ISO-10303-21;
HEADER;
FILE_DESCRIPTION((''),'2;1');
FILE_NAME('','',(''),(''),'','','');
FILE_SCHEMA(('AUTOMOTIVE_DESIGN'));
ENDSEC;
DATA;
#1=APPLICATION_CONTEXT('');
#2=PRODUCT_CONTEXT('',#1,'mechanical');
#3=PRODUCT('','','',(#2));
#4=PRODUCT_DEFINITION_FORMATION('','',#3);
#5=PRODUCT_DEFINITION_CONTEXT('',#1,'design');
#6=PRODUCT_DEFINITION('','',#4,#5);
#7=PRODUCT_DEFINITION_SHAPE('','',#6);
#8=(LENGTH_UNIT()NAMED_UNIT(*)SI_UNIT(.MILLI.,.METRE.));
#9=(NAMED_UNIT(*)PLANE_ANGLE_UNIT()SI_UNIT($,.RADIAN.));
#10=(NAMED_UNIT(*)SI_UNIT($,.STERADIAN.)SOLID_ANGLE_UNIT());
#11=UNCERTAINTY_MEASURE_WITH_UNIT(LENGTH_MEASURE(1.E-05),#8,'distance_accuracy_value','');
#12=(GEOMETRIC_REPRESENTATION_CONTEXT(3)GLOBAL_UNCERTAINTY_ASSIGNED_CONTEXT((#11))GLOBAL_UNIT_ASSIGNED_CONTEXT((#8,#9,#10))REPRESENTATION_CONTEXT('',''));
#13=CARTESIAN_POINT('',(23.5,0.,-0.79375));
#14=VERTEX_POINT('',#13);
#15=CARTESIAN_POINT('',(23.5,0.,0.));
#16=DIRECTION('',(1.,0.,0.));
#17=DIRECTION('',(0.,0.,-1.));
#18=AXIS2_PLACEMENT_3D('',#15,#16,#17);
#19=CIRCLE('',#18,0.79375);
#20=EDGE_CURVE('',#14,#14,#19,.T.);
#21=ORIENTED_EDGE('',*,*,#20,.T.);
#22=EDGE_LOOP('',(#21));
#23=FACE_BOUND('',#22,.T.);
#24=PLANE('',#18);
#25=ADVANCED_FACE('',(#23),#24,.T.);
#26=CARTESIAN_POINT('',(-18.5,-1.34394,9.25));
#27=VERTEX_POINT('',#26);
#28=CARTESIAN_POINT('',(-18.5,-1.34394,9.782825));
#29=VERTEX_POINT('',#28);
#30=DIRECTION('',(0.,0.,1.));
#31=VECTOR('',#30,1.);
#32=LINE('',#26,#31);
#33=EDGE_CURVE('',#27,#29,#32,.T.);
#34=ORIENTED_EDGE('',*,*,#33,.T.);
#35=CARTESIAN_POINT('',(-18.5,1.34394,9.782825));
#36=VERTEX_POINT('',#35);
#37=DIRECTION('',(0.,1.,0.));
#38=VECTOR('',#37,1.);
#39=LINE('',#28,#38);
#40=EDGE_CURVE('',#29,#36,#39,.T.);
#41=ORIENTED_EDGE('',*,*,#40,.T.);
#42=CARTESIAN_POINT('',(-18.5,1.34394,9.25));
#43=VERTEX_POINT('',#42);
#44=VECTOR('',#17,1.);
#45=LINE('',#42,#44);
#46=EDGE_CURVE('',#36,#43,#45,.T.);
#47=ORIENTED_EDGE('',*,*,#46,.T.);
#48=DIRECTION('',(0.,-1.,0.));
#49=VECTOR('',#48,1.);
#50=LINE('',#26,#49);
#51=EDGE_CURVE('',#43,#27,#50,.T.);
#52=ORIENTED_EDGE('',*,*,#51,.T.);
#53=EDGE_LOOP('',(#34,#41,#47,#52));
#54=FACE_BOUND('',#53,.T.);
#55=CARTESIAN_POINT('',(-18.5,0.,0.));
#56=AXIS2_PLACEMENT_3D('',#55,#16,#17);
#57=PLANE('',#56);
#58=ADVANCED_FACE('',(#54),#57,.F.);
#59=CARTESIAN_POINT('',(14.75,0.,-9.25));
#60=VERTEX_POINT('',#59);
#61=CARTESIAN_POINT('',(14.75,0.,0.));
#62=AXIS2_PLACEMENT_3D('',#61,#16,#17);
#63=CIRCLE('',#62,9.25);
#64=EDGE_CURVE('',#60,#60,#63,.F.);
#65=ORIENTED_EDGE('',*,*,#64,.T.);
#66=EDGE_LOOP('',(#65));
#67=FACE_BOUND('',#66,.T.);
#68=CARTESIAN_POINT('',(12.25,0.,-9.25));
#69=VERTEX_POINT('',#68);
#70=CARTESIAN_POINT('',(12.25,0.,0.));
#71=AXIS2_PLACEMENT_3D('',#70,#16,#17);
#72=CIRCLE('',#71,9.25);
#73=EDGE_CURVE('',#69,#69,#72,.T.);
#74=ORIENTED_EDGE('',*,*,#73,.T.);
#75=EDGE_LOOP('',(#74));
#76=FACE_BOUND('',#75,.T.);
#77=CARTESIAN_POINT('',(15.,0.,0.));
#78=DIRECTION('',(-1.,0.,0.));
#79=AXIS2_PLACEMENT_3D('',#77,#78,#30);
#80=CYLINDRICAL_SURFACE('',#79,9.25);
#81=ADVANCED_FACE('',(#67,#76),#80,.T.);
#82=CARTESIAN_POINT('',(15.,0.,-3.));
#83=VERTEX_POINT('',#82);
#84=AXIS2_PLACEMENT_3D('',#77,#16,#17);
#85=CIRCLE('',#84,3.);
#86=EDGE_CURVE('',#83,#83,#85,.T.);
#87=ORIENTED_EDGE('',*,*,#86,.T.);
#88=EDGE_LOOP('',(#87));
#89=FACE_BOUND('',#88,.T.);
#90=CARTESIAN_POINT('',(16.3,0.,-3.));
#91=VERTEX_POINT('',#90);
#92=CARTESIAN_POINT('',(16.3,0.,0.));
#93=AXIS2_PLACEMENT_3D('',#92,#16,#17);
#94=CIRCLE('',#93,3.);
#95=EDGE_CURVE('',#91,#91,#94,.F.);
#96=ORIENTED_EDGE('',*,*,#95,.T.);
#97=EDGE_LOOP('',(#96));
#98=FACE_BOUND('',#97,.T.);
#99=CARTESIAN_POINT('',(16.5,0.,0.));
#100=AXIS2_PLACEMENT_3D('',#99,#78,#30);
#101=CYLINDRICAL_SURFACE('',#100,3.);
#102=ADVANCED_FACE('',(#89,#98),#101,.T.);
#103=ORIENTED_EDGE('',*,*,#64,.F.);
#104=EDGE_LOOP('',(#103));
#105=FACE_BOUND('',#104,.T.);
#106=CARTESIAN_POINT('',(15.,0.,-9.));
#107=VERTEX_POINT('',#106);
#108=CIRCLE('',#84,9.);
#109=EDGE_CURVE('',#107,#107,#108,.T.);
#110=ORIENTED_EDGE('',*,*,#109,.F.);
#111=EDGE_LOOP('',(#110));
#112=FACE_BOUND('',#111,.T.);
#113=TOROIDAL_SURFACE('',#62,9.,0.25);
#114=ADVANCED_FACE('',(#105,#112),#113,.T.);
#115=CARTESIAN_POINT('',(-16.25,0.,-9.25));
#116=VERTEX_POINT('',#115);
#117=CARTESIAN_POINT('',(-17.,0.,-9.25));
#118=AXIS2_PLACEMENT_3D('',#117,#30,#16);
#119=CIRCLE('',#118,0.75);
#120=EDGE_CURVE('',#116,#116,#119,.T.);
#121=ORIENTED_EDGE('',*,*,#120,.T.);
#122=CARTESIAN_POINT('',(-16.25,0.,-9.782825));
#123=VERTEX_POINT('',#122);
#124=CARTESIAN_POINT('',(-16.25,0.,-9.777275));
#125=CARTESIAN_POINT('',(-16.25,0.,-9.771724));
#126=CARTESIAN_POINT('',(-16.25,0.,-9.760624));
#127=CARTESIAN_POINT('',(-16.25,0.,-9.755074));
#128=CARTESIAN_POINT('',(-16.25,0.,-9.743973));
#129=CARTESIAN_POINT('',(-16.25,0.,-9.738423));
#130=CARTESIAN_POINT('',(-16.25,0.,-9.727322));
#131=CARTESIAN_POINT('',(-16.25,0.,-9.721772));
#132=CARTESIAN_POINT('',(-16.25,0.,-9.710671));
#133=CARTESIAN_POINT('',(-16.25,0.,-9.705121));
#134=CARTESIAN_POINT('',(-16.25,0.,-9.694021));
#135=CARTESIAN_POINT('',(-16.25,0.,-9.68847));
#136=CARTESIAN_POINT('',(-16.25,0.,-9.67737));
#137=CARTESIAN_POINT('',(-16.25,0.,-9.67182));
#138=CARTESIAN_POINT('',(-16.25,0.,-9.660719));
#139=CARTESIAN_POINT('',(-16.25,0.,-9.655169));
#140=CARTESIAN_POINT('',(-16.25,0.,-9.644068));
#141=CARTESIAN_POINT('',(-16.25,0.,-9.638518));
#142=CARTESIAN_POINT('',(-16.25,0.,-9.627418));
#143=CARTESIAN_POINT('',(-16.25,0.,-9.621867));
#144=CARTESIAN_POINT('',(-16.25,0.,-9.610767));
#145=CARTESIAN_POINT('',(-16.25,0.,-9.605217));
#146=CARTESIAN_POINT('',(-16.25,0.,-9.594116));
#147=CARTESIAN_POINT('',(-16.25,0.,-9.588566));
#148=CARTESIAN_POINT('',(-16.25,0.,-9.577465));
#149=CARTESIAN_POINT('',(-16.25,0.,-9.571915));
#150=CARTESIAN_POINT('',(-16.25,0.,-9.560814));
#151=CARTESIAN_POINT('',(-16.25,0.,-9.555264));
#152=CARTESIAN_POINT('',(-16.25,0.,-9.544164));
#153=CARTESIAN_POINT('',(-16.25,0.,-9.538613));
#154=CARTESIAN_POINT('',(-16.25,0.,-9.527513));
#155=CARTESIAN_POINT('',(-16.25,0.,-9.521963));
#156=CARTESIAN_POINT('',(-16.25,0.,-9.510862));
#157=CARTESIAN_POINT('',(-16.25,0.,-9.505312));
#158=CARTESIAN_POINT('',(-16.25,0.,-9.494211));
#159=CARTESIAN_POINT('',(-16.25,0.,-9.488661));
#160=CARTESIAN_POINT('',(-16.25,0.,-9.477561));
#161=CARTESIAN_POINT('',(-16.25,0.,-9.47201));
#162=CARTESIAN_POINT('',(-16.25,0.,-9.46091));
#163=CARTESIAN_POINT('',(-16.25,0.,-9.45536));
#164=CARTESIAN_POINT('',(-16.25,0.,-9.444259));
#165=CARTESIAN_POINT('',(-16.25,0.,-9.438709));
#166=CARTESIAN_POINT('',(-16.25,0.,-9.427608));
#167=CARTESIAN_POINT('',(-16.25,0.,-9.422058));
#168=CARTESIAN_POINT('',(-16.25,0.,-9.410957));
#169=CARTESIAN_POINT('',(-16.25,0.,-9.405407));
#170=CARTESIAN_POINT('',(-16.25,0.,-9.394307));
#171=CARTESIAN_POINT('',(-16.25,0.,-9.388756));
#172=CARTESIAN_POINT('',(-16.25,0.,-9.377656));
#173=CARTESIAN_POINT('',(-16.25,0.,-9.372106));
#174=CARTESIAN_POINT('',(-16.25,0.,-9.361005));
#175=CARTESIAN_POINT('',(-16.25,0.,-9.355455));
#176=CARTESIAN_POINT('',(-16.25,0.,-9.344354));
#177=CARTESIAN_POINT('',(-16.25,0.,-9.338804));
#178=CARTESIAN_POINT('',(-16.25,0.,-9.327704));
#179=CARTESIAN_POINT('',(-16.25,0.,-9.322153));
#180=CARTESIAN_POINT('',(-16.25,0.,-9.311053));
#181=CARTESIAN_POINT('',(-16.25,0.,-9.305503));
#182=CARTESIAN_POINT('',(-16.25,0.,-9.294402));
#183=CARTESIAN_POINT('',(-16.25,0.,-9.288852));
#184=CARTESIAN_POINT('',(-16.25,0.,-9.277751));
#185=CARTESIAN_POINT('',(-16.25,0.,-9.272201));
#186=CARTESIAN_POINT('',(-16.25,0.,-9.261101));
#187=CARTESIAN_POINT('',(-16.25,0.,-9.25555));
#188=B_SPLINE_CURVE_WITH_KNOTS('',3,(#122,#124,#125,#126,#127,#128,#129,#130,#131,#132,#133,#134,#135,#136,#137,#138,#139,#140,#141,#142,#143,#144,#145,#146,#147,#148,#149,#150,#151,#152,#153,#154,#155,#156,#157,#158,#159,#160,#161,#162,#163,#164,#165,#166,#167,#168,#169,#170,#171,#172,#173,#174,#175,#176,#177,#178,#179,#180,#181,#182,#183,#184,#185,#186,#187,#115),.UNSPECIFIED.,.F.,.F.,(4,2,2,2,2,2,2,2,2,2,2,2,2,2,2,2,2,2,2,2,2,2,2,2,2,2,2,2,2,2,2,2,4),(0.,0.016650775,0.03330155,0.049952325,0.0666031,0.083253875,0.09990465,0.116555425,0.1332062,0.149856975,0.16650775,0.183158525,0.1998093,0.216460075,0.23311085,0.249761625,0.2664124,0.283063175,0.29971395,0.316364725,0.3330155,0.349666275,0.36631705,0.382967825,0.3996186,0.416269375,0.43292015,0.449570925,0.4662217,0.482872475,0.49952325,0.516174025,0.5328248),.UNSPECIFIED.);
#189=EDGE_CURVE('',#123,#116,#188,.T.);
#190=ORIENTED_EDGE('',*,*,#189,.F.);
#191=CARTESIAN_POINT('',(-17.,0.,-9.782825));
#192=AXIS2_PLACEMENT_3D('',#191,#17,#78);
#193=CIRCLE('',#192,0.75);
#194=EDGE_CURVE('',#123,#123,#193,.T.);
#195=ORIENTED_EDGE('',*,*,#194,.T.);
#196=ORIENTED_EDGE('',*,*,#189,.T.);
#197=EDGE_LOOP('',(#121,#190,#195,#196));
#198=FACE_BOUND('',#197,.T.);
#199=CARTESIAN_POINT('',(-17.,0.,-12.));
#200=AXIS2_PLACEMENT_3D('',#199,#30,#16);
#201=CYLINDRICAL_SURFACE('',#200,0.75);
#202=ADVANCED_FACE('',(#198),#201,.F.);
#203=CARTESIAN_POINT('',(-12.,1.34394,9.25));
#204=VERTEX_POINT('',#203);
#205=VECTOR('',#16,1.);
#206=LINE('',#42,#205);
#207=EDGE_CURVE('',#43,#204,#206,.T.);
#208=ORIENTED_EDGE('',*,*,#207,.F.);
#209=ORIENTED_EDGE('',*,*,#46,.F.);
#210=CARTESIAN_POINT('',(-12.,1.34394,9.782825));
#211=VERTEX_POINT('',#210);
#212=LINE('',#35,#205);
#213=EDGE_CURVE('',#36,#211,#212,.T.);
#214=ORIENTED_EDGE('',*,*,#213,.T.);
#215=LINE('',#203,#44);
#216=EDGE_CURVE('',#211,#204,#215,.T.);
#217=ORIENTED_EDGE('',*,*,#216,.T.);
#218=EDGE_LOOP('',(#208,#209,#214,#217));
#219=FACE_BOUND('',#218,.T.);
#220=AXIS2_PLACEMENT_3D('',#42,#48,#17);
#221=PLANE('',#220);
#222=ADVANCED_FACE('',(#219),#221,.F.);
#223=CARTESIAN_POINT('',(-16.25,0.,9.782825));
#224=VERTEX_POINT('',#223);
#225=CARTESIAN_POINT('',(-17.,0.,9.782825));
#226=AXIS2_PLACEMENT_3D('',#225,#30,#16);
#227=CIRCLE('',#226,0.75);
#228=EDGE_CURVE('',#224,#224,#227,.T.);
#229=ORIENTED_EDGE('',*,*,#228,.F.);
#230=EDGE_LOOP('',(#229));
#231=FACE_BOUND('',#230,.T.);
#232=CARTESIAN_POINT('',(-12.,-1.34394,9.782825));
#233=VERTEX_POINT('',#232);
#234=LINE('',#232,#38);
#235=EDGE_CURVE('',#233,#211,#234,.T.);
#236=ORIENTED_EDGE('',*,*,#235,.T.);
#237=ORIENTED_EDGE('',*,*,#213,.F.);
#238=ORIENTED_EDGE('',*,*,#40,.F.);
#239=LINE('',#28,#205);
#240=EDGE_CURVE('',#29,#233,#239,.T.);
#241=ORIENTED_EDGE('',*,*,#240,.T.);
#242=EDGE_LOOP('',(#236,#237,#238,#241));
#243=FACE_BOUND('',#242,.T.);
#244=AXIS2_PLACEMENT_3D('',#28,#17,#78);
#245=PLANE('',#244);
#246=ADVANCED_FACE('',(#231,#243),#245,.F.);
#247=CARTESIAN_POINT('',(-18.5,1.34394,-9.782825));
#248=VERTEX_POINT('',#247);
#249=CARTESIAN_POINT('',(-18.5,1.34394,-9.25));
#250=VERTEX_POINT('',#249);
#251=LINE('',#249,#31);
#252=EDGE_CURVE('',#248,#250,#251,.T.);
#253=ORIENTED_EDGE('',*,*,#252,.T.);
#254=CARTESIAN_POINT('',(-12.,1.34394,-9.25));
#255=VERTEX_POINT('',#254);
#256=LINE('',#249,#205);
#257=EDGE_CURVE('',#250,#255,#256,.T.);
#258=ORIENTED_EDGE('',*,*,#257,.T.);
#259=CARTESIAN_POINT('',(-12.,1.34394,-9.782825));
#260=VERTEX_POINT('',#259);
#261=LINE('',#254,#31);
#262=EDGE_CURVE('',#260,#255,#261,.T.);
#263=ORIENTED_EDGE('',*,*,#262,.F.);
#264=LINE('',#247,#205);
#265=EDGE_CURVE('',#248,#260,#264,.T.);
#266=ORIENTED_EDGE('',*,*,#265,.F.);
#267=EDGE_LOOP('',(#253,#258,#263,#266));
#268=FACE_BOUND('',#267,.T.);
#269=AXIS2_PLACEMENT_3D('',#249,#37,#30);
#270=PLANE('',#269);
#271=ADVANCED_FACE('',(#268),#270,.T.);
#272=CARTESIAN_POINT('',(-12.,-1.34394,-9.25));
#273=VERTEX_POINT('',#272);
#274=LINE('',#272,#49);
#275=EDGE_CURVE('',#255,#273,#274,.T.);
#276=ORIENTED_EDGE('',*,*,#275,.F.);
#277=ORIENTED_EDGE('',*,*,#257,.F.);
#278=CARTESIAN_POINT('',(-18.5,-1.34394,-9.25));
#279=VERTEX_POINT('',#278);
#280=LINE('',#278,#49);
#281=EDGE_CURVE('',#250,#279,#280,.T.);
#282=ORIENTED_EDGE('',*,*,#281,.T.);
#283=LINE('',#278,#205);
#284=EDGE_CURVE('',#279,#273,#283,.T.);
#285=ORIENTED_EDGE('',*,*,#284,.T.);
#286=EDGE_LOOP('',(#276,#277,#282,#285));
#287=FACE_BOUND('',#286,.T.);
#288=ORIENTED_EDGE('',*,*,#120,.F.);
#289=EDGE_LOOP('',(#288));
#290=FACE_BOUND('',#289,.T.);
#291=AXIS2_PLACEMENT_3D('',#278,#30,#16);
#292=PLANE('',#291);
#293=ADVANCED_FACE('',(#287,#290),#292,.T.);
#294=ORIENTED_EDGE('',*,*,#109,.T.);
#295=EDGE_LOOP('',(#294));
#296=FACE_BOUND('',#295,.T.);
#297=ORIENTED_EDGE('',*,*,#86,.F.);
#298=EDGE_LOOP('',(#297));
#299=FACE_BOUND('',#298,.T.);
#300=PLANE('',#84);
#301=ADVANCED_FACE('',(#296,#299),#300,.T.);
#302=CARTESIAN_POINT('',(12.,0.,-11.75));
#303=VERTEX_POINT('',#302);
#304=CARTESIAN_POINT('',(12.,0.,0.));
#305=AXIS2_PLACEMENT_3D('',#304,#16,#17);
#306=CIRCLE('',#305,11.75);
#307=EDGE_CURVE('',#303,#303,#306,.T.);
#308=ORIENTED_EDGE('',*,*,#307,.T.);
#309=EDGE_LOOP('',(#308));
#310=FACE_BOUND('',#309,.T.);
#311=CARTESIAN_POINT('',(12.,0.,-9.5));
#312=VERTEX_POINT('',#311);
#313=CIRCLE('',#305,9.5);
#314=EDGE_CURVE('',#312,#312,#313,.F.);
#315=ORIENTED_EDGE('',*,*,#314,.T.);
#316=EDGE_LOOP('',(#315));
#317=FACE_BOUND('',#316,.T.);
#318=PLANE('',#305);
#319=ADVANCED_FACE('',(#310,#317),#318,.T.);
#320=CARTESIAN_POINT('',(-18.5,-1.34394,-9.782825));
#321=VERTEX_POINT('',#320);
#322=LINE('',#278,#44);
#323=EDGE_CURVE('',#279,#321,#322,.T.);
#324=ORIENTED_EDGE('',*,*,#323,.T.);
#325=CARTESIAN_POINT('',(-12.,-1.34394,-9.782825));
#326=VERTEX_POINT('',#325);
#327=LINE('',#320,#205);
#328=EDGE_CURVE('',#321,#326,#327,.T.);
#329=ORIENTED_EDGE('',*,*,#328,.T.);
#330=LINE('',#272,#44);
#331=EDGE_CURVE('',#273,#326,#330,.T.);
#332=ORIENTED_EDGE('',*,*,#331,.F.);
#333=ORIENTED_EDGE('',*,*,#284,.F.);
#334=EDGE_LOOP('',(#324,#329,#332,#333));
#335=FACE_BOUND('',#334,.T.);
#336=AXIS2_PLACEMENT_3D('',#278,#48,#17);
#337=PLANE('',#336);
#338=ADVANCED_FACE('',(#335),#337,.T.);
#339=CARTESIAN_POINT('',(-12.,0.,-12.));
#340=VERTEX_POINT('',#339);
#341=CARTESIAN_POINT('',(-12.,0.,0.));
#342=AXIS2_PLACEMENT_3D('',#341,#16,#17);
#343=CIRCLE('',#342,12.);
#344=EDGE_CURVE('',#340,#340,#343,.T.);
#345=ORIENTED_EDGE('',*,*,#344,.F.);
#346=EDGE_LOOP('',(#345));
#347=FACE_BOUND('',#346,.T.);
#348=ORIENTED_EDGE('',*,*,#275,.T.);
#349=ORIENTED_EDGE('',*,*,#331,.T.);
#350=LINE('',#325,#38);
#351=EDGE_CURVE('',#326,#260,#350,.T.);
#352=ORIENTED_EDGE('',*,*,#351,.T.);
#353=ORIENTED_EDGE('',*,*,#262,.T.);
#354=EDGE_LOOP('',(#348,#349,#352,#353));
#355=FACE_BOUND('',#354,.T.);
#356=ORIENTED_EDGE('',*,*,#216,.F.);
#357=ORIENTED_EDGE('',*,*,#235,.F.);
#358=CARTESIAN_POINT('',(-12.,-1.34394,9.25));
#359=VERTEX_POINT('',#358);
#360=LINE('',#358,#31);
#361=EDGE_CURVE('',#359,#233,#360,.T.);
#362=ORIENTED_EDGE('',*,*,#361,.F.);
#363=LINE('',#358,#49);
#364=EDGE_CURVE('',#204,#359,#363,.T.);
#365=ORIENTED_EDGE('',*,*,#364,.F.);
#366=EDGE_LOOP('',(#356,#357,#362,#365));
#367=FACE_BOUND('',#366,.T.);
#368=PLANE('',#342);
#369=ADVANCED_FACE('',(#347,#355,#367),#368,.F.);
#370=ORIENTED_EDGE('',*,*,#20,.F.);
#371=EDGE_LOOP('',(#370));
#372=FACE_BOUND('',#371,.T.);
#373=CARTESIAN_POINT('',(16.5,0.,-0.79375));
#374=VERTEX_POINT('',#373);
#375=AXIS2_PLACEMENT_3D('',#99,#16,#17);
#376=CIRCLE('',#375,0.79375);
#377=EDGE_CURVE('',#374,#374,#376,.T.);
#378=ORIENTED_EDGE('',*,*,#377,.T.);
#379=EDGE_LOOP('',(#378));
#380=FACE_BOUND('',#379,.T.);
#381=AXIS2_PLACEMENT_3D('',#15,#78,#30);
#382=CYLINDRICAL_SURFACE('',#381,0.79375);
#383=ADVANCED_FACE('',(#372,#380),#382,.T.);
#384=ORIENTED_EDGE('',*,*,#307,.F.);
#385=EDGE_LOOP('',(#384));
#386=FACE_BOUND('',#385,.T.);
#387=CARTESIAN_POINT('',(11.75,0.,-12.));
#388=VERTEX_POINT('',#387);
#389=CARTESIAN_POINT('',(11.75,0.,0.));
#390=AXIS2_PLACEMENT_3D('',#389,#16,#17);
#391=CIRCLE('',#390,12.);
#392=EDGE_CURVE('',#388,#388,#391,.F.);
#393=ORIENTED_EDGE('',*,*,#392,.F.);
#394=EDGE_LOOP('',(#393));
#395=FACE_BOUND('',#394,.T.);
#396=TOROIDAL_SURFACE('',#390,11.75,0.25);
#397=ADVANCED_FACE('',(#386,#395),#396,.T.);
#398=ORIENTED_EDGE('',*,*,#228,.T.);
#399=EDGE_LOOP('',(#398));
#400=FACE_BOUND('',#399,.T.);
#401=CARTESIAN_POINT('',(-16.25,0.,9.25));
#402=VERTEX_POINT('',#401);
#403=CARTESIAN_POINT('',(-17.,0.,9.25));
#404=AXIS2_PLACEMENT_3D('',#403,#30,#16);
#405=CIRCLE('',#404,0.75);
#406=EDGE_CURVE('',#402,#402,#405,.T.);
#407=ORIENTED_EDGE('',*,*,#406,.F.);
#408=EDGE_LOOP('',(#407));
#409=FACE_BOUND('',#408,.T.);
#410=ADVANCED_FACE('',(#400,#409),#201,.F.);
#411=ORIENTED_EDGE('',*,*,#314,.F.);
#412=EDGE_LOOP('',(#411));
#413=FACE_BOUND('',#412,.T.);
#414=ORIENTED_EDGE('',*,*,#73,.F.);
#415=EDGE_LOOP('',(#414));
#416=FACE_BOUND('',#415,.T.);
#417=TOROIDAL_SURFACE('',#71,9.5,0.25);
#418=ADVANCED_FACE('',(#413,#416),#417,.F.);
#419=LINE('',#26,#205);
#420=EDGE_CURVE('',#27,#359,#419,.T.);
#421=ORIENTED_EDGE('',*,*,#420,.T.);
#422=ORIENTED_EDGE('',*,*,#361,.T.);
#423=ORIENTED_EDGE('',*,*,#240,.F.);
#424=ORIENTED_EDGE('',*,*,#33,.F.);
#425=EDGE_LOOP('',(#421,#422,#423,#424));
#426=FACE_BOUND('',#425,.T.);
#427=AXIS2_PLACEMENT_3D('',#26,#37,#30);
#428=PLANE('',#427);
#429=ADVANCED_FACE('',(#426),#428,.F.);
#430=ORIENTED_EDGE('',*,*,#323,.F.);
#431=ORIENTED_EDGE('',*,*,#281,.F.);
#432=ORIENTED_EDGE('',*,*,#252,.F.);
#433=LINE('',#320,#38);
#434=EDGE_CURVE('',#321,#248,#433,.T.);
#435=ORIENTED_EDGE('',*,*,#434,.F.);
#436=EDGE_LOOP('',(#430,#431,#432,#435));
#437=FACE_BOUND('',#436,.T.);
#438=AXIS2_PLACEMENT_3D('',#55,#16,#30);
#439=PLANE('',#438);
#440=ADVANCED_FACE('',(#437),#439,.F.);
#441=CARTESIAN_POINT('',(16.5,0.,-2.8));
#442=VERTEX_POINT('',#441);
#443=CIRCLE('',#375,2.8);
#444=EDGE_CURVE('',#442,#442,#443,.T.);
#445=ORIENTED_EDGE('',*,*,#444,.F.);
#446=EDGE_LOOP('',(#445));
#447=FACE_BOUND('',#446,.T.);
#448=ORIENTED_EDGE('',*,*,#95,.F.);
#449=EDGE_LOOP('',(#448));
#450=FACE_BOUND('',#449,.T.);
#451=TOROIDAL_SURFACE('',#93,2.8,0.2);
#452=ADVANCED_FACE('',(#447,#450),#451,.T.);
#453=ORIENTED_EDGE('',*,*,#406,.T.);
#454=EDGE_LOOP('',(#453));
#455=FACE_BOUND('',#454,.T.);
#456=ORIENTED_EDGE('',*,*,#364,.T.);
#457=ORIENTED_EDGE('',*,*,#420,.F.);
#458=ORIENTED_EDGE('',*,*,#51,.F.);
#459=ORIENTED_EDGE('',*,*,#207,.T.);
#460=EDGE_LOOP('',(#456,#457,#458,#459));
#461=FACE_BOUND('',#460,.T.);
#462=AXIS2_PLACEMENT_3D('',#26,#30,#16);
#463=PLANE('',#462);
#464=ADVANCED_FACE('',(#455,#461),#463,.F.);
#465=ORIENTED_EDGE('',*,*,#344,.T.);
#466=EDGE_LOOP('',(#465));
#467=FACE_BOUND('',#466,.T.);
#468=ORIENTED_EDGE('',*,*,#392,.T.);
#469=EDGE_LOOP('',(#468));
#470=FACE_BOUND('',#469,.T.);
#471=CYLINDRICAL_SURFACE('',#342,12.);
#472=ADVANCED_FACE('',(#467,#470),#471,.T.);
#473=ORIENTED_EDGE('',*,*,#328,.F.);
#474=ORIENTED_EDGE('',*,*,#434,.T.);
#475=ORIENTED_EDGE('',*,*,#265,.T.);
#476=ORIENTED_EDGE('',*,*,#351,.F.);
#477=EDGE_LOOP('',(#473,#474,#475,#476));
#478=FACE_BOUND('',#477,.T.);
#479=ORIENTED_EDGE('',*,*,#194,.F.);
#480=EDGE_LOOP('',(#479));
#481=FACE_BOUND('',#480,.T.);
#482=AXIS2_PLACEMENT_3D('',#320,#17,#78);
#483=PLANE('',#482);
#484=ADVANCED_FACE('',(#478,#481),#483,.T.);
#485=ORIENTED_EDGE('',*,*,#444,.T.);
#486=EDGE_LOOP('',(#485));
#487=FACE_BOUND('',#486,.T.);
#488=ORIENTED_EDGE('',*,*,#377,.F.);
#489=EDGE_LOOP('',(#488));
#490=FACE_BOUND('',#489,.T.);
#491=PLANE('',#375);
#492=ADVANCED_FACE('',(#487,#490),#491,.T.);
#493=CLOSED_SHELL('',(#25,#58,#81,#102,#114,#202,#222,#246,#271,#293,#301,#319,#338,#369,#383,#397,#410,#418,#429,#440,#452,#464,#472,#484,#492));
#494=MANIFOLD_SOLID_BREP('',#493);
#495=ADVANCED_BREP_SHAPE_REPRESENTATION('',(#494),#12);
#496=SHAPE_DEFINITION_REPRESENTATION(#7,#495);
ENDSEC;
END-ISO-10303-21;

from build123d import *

# Parameters (mm, degrees)
BOSS_EXTRUDE1_DEPTH      = 12
BOSS_EXTRUDE1_DEPTH_BACK = 12
SKETCH1_R                = 12
SKETCH2_R                = 9.25
BOSS_EXTRUDE2_DEPTH      = 3
SKETCH3_R                = 3
BOSS_EXTRUDE3_DEPTH      = 1.5
SKETCH4_R                = 0.79375
BOSS_EXTRUDE4_DEPTH      = 7
FILLET1_R                = 0.25
FILLET2_R                = 0.2
SKETCH5_W                = 0.5328248
SKETCH5_H                = 2.687879882
BOSS_EXTRUDE5_DEPTH      = 6.5
SKETCH7_R                = 0.75
CUT_EXTRUDE1_DEPTH       = 35.216099373


with BuildPart() as part:
    # Sketch1 → Boss-Extrude1 (new, two sides: drawn at the far end of the back side and taken through both)
    with BuildSketch(Plane(origin=(0, 0, 0), x_dir=(0, 0, -1), z_dir=(1, 0, 0)).offset(-BOSS_EXTRUDE1_DEPTH_BACK)):
        Circle(SKETCH1_R)
    extrude(amount=BOSS_EXTRUDE1_DEPTH + BOSS_EXTRUDE1_DEPTH_BACK)

    # Sketch2 → Boss-Extrude2 (add)
    with BuildSketch(Plane(origin=(12, 0, 0), x_dir=(0, 0, -1), z_dir=(1, 0, 0))):
        Circle(SKETCH2_R)
    extrude(amount=BOSS_EXTRUDE2_DEPTH)

    # Sketch3 → Boss-Extrude3 (add)
    with BuildSketch(Plane(origin=(15, 0, 0), x_dir=(0, 0, -1), z_dir=(1, 0, 0))):
        Circle(SKETCH3_R)
    extrude(amount=BOSS_EXTRUDE3_DEPTH)

    # Sketch4 → Boss-Extrude4 (add)
    with BuildSketch(Plane(origin=(16.5, 0, 0), x_dir=(0, 0, -1), z_dir=(1, 0, 0))):
        Circle(SKETCH4_R)
    extrude(amount=BOSS_EXTRUDE4_DEPTH)

    # Fillet1
    fillet1_edges = [part.edges().sort_by_distance(p)[0] for p in [
        (12, 0, 12),
        (12, 0, 9.25),
        (15, 0, 9.25),
    ]]
    fillet(fillet1_edges, radius=FILLET1_R)

    # Fillet2
    fillet2_edges = [part.edges().sort_by_distance(p)[0] for p in [
        (16.5, 0, 3),
    ]]
    fillet(fillet2_edges, radius=FILLET2_R)

    # Sketch5 → Boss-Extrude5 (add)
    with BuildSketch(Plane.ZY.offset(12)):
        with Locations((9.5164124, 0)):
            Rectangle(SKETCH5_W, SKETCH5_H)
    boss_extrude5 = extrude(amount=BOSS_EXTRUDE5_DEPTH)

    # Mirror1: Boss-Extrude5 across plane
    add(boss_extrude5.mirror(Plane.XY))

    # Sketch7 → Cut-Extrude1 (cut, through all)
    with BuildSketch(Plane.XY.offset(9.7828248)):
        with Locations((-17, 0)):
            Circle(SKETCH7_R)
    extrude(amount=-CUT_EXTRUDE1_DEPTH, mode=Mode.SUBTRACT)


solid = part.part
